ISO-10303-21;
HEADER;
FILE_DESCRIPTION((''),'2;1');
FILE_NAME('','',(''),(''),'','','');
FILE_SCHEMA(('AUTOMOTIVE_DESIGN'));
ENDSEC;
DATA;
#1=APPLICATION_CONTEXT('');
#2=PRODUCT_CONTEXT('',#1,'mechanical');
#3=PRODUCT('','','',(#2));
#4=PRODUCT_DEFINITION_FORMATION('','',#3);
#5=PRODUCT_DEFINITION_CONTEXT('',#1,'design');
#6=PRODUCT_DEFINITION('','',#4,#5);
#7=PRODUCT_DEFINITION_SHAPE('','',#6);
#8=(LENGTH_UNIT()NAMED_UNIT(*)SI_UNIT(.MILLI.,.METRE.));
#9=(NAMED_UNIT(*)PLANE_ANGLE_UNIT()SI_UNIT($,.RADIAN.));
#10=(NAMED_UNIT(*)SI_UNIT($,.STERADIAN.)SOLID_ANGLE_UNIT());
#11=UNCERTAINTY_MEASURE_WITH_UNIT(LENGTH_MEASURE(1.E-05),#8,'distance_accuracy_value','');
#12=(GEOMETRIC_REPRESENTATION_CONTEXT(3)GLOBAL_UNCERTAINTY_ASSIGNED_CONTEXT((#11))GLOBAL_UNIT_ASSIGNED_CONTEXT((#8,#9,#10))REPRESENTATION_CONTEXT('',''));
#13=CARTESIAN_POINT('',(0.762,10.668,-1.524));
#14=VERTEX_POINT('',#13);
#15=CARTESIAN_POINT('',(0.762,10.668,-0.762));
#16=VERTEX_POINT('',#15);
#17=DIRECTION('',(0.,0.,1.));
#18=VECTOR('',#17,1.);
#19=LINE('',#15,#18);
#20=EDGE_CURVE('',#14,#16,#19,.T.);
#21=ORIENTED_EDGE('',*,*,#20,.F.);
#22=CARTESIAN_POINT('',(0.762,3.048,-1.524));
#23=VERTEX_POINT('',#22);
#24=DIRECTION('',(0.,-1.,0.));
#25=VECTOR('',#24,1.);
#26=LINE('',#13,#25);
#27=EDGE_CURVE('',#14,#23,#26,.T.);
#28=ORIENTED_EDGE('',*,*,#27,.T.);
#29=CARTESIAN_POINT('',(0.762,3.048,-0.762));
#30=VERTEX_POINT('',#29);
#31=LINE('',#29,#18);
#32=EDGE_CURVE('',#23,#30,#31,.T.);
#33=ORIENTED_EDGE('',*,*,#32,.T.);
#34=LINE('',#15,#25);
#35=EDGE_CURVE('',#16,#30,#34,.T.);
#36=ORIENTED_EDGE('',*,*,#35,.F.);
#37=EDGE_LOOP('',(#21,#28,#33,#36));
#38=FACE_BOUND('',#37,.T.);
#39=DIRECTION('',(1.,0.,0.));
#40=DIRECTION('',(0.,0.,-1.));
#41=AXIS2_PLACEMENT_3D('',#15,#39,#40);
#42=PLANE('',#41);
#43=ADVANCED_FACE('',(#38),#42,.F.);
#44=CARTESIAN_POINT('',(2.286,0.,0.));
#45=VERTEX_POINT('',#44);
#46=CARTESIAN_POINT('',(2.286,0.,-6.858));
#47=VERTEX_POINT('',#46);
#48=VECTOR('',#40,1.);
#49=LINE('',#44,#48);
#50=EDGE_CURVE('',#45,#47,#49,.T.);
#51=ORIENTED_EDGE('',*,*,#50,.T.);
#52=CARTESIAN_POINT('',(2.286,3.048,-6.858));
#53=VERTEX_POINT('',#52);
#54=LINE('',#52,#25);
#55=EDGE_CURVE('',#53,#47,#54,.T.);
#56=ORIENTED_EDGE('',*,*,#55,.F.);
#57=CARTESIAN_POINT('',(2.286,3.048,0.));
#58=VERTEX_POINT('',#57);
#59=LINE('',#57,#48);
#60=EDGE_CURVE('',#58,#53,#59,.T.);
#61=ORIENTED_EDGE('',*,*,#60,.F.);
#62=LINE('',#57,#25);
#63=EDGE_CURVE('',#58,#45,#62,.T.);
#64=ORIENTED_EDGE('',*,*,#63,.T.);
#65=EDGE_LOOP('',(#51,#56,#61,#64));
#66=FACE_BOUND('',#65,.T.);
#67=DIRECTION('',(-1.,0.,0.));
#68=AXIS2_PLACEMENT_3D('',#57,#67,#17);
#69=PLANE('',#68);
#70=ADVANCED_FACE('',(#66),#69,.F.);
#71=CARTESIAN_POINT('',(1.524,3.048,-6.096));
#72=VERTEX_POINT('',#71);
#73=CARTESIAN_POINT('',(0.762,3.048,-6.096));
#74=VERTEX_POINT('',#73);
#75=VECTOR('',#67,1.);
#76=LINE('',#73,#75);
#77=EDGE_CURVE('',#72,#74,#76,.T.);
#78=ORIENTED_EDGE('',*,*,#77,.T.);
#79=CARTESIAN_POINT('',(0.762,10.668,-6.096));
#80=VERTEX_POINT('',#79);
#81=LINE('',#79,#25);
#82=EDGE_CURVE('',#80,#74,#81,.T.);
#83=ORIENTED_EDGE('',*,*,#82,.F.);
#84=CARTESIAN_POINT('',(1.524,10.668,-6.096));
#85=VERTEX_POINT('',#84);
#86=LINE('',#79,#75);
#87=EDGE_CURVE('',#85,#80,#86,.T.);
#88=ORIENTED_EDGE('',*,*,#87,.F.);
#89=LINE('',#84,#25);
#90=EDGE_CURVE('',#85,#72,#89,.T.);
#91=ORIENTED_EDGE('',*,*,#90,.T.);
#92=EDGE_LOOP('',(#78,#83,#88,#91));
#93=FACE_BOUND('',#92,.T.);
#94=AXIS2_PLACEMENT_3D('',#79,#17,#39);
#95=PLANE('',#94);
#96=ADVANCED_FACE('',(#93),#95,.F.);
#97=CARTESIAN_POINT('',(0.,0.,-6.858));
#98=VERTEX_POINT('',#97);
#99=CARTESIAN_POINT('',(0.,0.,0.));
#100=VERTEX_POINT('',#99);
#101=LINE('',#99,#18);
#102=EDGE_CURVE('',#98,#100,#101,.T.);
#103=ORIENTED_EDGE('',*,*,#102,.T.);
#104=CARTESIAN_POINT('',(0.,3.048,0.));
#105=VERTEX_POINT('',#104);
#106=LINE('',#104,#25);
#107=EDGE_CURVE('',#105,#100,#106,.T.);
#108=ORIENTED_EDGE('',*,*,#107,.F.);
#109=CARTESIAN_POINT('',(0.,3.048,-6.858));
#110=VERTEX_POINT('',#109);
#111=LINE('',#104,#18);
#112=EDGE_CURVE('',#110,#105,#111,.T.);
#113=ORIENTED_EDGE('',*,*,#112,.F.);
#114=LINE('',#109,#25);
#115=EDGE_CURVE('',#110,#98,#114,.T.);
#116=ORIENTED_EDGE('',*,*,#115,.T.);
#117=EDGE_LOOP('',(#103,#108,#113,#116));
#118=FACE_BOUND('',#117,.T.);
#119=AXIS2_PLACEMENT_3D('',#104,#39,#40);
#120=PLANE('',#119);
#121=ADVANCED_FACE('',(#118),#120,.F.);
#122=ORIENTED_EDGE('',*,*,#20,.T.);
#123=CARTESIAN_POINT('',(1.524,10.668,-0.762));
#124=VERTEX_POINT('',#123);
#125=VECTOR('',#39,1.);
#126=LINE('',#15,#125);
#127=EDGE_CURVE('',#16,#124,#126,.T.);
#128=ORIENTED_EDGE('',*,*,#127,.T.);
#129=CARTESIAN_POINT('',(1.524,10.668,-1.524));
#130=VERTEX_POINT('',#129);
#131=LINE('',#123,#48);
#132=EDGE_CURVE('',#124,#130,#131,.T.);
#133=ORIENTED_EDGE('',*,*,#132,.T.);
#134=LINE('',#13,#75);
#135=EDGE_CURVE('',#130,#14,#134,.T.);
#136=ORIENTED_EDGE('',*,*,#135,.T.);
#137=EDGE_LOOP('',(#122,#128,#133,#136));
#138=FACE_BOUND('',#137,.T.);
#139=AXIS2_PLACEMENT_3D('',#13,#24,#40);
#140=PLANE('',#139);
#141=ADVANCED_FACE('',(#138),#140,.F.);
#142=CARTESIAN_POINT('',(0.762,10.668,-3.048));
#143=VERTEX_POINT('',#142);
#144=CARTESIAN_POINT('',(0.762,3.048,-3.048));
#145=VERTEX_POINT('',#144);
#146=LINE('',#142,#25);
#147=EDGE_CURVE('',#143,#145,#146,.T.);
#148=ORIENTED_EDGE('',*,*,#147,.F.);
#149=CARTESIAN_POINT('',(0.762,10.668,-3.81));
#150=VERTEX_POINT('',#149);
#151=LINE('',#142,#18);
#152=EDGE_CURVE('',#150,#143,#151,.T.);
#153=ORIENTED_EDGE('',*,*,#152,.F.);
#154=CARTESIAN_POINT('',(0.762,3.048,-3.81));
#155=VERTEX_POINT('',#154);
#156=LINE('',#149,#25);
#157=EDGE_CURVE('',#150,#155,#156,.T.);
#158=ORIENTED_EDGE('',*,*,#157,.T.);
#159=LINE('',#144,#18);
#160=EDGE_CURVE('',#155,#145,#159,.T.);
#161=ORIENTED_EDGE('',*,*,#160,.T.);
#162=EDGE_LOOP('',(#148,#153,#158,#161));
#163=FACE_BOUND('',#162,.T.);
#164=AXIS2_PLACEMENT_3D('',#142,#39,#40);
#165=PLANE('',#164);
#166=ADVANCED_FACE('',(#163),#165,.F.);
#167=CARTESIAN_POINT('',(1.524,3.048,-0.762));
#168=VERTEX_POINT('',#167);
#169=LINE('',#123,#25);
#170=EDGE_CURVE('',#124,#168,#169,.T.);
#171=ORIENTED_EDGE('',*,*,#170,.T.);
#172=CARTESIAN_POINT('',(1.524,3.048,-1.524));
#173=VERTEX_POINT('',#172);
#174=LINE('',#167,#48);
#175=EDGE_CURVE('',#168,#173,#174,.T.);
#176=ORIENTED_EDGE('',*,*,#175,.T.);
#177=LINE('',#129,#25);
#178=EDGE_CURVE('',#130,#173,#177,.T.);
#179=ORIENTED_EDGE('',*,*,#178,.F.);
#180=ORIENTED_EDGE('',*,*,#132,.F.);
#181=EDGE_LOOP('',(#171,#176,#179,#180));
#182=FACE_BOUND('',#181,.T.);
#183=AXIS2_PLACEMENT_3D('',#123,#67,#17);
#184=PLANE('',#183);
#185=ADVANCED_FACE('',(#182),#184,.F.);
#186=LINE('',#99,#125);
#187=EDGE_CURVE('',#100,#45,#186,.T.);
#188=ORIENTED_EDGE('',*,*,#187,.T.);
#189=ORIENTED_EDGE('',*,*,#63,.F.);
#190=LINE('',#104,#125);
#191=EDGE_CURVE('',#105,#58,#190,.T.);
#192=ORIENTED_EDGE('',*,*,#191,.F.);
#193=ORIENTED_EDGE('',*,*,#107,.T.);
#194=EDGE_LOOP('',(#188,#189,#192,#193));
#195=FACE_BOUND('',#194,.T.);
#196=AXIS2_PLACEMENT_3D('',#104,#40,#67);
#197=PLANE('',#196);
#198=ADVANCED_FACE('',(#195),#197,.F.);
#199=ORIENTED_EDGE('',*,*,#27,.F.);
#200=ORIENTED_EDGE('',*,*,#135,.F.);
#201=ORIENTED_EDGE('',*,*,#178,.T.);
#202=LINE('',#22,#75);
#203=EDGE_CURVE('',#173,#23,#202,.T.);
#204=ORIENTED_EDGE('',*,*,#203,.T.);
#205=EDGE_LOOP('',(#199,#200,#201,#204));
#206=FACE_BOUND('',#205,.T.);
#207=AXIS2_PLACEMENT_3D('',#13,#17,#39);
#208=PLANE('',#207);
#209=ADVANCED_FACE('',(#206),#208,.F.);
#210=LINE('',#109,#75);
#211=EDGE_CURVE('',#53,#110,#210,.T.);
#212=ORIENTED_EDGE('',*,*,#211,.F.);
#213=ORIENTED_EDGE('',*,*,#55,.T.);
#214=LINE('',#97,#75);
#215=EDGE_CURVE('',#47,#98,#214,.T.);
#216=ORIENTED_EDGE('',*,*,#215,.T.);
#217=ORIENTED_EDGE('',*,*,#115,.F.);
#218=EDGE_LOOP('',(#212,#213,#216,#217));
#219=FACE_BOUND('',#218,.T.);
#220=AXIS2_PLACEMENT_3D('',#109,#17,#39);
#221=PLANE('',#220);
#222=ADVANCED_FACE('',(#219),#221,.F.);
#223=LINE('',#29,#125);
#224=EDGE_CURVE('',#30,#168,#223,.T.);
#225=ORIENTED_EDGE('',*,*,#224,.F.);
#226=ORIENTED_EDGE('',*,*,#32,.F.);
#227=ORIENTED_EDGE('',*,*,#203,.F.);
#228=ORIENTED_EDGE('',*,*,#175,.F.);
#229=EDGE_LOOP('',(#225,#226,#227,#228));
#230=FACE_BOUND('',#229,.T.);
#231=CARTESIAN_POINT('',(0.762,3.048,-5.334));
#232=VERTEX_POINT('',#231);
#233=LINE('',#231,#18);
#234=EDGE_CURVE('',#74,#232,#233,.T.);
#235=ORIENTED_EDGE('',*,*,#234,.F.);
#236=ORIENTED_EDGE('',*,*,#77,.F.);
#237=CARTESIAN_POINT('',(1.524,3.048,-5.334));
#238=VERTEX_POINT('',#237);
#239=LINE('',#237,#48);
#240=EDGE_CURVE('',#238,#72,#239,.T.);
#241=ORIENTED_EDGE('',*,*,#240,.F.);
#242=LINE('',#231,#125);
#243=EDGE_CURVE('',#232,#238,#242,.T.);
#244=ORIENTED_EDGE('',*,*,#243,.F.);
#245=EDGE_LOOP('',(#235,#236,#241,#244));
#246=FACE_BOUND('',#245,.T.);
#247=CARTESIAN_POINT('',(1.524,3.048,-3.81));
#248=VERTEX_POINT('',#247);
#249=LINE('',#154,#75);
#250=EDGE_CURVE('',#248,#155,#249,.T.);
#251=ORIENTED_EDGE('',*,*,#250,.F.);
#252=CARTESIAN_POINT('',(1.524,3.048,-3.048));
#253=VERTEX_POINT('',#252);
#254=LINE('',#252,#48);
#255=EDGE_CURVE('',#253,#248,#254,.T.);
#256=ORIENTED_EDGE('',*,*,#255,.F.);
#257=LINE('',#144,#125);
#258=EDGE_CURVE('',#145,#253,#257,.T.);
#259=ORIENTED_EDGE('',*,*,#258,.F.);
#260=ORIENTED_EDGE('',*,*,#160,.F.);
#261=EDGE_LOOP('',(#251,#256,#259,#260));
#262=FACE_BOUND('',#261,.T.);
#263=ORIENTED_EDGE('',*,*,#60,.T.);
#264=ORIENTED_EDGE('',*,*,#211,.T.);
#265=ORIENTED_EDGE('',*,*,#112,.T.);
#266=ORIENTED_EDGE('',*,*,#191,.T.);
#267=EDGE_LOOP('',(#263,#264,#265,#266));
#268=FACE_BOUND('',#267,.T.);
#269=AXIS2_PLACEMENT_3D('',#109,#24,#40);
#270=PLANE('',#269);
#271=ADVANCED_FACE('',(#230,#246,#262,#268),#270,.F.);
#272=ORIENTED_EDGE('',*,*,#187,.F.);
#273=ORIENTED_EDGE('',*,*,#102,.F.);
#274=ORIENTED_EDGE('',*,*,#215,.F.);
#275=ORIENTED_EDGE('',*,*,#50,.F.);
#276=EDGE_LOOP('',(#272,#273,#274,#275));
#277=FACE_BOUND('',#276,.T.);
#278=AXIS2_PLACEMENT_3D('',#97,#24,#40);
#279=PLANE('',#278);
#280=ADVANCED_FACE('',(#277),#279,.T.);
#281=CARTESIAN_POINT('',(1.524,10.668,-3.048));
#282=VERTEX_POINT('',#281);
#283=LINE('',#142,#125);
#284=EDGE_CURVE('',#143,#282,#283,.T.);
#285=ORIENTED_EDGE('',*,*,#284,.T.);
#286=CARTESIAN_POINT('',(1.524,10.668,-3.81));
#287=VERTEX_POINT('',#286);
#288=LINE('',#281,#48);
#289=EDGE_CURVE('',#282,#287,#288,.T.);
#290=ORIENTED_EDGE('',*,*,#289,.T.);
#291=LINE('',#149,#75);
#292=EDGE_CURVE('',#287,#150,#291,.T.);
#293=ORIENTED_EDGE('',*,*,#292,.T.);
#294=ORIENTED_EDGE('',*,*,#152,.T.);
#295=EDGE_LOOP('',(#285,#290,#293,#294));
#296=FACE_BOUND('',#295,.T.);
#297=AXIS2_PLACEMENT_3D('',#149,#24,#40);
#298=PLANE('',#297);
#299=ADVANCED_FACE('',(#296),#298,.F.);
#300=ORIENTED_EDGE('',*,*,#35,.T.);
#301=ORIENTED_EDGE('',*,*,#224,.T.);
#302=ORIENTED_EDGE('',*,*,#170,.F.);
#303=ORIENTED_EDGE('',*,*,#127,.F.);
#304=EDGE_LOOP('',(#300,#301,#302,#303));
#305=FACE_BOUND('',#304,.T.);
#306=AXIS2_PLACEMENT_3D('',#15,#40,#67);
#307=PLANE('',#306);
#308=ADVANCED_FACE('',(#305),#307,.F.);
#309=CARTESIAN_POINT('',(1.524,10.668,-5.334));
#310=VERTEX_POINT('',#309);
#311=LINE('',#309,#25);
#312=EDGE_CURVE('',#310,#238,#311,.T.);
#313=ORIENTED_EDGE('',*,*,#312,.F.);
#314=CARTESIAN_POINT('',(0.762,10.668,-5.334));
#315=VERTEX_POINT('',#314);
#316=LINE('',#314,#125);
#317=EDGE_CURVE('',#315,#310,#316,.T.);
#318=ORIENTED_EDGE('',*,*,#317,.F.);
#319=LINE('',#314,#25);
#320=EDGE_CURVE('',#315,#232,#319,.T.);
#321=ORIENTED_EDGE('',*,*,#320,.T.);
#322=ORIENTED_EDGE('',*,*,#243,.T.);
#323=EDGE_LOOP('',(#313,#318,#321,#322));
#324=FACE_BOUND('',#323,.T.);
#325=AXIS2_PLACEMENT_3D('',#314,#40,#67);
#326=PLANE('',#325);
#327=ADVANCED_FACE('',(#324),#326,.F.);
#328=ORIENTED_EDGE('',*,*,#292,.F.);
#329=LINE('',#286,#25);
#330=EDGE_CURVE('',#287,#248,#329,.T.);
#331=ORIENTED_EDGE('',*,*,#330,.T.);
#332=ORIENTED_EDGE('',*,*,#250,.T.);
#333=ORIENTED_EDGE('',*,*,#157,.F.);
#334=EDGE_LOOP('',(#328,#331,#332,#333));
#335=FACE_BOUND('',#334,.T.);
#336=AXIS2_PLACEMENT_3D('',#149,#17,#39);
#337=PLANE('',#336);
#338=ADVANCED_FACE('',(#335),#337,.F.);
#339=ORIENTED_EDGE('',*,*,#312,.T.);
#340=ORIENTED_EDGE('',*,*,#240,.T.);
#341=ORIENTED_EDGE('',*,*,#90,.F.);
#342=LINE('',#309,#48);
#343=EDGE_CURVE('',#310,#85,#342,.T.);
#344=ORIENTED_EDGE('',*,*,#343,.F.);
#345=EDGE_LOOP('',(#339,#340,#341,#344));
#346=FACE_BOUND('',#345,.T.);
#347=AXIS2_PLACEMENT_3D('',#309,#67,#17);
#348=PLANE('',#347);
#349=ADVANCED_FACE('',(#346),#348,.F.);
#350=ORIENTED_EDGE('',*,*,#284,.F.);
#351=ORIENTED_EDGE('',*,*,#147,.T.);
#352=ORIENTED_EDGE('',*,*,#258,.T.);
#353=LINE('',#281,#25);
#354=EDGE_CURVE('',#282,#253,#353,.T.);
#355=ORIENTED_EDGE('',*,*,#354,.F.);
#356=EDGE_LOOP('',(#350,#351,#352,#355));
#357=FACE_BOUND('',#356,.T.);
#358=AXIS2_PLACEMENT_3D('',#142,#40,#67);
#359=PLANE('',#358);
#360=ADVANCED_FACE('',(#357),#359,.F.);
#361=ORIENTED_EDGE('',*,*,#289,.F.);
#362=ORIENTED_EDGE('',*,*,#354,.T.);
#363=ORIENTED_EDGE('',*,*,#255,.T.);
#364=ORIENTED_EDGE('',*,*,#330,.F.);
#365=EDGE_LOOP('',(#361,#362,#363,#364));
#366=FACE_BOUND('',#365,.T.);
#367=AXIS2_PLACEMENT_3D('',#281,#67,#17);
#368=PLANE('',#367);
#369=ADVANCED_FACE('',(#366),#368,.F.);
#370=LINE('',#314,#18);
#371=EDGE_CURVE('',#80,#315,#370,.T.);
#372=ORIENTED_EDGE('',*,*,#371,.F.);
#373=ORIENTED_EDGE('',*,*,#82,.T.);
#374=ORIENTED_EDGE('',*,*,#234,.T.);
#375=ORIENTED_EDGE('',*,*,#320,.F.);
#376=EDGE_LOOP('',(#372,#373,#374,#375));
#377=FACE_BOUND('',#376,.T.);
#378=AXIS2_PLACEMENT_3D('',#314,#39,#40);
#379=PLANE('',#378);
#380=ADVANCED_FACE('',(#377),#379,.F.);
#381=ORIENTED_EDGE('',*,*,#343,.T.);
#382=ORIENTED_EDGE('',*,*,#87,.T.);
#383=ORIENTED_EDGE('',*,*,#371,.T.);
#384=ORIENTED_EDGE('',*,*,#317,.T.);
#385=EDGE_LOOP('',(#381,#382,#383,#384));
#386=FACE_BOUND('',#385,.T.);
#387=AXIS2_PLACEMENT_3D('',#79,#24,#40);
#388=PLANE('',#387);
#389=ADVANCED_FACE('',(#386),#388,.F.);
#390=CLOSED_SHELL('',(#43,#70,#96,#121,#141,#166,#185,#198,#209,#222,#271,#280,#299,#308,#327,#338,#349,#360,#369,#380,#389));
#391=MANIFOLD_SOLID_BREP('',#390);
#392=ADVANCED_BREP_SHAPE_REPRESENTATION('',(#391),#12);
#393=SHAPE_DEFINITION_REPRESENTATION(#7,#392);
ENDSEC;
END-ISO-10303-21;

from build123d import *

# Parameters (mm, degrees)
SKETCH1_W      = 2.286
SKETCH1_H      = 6.858
EXTRUDE1_DEPTH = 3.048
SKETCH2_W      = 0.762
SKETCH2_H      = 0.762
EXTRUDE2_DEPTH = 7.62


with BuildPart() as part:
    # Sketch1 → Extrude1 (new body)
    with BuildSketch(Plane(origin=(0, 0, 0), x_dir=(1, 0, 0), z_dir=(0, 1, 0))):
        with Locations((1.143, 3.429)):
            Rectangle(SKETCH1_W, SKETCH1_H)
    extrude(amount=EXTRUDE1_DEPTH)

    # Sketch2 → Extrude2 (add)
    with BuildSketch(Plane(origin=(0, 3.048, 0), x_dir=(1, 0, 0), z_dir=(0, 1, 0))):
        with Locations((1.143, 1.143)):
            Rectangle(SKETCH2_W, SKETCH2_H)
        with Locations((1.143, 5.715)):
            Rectangle(SKETCH2_W, SKETCH2_H)
        with Locations((1.143, 3.429)):
            Rectangle(SKETCH2_W, SKETCH2_H)
    extrude(amount=EXTRUDE2_DEPTH)


solid = part.part
